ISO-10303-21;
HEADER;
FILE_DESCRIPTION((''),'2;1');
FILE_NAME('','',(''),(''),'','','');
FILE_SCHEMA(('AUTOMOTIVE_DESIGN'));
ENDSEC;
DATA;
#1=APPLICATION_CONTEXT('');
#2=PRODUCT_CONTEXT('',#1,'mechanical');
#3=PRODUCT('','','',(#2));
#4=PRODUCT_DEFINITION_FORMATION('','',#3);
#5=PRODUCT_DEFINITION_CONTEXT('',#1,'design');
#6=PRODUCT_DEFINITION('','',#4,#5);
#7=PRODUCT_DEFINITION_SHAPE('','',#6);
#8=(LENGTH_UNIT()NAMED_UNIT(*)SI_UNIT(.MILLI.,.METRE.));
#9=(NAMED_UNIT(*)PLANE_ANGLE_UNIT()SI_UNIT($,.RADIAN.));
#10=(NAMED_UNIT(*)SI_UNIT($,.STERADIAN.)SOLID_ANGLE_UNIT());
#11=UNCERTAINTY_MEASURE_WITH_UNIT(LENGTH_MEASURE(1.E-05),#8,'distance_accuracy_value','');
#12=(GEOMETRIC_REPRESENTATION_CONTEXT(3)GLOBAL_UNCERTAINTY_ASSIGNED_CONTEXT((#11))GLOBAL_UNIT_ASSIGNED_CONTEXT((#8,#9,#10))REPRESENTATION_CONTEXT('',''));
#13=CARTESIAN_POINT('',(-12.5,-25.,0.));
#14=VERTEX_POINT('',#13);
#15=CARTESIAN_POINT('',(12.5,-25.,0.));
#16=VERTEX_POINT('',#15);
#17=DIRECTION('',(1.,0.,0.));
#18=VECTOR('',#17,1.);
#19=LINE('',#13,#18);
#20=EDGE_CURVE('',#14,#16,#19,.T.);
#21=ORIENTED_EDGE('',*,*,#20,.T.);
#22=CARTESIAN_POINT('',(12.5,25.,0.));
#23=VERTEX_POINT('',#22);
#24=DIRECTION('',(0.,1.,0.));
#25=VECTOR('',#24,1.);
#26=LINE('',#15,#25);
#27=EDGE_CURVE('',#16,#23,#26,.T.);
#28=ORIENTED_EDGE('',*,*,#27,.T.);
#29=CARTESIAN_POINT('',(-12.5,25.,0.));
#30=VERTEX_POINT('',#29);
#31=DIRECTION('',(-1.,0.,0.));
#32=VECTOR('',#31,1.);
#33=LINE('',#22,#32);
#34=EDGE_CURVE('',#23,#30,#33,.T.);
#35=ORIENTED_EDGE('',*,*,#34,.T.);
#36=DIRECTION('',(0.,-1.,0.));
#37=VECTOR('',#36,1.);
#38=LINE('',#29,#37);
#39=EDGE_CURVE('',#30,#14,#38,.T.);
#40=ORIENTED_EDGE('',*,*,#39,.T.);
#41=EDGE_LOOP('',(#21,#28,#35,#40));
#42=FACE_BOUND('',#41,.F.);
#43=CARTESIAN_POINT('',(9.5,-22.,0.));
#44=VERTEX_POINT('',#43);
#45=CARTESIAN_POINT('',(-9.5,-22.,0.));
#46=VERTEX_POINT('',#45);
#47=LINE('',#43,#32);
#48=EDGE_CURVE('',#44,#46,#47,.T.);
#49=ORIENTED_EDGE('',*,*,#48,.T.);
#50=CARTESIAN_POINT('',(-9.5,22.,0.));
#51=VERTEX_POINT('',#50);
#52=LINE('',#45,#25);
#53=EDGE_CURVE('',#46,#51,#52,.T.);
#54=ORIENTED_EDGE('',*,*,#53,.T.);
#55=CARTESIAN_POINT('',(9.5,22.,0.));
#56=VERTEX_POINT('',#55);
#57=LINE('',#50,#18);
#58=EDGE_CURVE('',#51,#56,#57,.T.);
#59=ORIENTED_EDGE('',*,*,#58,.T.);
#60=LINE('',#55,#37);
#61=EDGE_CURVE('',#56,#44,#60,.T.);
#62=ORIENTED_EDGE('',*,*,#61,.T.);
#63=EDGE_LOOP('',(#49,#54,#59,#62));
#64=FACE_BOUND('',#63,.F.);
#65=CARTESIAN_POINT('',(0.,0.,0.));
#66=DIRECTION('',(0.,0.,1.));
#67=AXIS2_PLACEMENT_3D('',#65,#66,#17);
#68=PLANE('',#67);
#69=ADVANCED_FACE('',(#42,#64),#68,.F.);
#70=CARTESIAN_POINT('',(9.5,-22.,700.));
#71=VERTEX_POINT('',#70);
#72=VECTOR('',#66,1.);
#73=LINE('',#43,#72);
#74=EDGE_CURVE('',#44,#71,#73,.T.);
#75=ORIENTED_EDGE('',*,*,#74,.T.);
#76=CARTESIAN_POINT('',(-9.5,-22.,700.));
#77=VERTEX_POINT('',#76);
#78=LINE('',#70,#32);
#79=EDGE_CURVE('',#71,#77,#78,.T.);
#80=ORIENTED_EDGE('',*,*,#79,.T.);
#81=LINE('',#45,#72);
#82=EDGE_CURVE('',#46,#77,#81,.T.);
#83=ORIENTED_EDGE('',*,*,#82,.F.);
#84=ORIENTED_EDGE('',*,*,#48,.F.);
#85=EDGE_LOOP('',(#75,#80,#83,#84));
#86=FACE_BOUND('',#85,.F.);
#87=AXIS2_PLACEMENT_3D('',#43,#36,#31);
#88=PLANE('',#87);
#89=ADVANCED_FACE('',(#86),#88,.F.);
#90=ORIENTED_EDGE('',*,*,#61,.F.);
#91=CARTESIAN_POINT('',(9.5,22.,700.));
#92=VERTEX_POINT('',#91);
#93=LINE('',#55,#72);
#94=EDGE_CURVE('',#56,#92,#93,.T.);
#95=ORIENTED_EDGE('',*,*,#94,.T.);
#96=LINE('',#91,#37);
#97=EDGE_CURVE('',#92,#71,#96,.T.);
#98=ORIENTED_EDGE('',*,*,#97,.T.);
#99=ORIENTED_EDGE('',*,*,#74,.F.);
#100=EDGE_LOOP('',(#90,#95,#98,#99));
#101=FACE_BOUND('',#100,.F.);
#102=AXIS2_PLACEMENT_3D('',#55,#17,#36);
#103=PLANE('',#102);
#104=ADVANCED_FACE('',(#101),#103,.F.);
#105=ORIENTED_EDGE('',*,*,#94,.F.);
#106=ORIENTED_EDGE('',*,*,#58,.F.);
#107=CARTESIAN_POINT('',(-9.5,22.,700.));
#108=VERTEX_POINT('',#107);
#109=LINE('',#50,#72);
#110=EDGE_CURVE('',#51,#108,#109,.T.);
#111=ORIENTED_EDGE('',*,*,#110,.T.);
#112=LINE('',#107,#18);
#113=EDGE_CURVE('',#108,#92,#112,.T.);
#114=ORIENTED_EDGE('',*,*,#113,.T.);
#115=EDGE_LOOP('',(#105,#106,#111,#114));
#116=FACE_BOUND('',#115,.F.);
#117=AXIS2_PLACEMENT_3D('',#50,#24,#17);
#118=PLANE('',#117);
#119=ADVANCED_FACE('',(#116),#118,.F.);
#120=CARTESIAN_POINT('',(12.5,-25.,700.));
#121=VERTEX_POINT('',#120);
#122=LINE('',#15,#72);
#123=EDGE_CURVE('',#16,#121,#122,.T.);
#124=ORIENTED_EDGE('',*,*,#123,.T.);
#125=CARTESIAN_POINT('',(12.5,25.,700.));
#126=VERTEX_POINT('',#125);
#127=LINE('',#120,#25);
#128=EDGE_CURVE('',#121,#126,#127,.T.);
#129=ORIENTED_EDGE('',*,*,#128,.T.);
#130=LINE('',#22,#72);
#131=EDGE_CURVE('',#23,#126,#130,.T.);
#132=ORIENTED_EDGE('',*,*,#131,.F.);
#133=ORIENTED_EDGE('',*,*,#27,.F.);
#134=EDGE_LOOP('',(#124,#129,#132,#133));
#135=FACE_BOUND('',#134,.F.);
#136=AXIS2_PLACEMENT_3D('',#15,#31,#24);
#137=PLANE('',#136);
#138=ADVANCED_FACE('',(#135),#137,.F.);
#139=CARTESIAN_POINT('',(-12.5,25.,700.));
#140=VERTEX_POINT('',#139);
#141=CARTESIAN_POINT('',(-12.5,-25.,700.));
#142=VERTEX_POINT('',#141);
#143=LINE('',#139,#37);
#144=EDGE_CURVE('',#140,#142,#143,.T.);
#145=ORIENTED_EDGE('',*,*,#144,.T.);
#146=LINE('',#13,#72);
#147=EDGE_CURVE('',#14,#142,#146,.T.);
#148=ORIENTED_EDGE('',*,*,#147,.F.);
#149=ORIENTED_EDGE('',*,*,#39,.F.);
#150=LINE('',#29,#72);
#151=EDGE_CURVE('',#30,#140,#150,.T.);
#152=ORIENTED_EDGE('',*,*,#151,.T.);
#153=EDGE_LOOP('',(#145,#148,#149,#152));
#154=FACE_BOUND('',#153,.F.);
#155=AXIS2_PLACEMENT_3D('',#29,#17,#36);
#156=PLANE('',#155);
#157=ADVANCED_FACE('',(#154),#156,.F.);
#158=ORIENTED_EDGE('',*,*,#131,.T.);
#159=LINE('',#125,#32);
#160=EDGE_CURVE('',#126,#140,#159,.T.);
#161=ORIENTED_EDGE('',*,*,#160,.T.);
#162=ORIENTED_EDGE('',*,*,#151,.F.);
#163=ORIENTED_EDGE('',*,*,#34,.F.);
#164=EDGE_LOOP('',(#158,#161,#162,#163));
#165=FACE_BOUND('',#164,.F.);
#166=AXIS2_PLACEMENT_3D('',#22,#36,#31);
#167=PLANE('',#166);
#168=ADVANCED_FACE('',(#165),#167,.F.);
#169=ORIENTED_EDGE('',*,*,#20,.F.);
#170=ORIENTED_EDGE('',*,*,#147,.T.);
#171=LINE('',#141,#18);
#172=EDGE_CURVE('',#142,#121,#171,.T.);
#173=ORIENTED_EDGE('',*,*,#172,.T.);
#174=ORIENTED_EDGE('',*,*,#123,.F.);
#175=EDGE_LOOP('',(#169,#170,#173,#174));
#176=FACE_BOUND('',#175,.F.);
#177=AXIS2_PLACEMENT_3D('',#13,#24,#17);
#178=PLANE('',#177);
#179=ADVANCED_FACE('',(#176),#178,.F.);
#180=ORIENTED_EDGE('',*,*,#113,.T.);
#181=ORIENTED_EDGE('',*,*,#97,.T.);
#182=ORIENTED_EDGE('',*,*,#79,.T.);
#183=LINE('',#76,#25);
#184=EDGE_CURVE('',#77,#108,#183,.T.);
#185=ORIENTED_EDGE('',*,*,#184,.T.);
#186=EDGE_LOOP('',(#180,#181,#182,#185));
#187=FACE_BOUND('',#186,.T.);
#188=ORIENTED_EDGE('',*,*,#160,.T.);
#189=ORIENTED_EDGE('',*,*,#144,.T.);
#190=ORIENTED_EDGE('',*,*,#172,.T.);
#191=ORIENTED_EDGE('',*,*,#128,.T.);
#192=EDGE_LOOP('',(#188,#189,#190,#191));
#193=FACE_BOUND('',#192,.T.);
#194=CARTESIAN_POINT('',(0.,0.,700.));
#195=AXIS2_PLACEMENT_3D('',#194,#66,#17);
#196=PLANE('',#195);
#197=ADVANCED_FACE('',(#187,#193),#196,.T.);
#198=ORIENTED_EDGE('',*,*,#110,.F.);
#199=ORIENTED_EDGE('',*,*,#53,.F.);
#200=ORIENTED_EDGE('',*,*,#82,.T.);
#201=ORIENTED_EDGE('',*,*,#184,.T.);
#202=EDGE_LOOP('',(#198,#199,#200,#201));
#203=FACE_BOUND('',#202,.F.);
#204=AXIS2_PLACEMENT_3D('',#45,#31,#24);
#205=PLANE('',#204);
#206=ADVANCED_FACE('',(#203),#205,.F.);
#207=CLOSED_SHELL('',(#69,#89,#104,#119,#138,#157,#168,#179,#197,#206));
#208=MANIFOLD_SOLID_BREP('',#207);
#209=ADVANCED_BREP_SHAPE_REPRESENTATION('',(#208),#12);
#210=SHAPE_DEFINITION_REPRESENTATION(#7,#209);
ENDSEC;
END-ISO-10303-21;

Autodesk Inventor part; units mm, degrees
ref_plane "YZ Plane" through (0, 0, 0) normal (1, 0, 0) x (0, 1, 0)
ref_plane "Start Plane" through (0, 0, 0) normal (0, 0, 1) x (1, 0, 0)
ref_plane "End Plane" through (0, 0, 700) normal (0, 0, 1) x (1, 0, 0)
sketch "Sketch" plane through (0, 0, 0) normal (0, 0, 1) x (1, 0, 0)
  line L0 (-12.5, -25) -> (12.5, -25)
  line L1 (12.5, -25) -> (12.5, 25)
  line L2 (12.5, 25) -> (-12.5, 25)
  line L3 (-12.5, 25) -> (-12.5, -25)
  line L4 (-12.5, -25) -> (12.5, 25) construction
  line L5 (12.5, -25) -> (-12.5, 25) construction
  line L6 (-9.5, 22) -> (9.5, 22)
  line L7 (9.5, 22) -> (9.5, -22)
  line L8 (9.5, -22) -> (-9.5, -22)
  line L9 (-9.5, -22) -> (-9.5, 22)
  point P0 (0, 0)
  dimension "Width" = 25
  dimension "Height" = 50
  dimension "Thickness" = 3
extrude "Body" add sketch "Sketch" along normal up to surface (700 mm away) from surface at 0
sketch "Sketch2" plane through (0, 0, 0) normal (0, 0, 1) x (1, 0, 0)
  line L0 (0, 0) -> (10, 0)
ref_plane "Work Plane3" through (0, 0, 0) normal (0, -1, 0) x (1, 0, 0)
sketch "Sketch3" plane through (0, 0, 0) normal (0, -1, 0) x (1, 0, 0)
  line L0 (-2, 0) -> (12, 0)
  line L1 (-2, 700) -> (12, 700)
  dimension "d10" = 700
equation "\"G_OFFSET_START\" = 0"
equation "\"G_OFFSET_END\" = 0"
equation "\"G_L\" = 100"
properties part number "25x50x3" material "Aluminum 6061"
